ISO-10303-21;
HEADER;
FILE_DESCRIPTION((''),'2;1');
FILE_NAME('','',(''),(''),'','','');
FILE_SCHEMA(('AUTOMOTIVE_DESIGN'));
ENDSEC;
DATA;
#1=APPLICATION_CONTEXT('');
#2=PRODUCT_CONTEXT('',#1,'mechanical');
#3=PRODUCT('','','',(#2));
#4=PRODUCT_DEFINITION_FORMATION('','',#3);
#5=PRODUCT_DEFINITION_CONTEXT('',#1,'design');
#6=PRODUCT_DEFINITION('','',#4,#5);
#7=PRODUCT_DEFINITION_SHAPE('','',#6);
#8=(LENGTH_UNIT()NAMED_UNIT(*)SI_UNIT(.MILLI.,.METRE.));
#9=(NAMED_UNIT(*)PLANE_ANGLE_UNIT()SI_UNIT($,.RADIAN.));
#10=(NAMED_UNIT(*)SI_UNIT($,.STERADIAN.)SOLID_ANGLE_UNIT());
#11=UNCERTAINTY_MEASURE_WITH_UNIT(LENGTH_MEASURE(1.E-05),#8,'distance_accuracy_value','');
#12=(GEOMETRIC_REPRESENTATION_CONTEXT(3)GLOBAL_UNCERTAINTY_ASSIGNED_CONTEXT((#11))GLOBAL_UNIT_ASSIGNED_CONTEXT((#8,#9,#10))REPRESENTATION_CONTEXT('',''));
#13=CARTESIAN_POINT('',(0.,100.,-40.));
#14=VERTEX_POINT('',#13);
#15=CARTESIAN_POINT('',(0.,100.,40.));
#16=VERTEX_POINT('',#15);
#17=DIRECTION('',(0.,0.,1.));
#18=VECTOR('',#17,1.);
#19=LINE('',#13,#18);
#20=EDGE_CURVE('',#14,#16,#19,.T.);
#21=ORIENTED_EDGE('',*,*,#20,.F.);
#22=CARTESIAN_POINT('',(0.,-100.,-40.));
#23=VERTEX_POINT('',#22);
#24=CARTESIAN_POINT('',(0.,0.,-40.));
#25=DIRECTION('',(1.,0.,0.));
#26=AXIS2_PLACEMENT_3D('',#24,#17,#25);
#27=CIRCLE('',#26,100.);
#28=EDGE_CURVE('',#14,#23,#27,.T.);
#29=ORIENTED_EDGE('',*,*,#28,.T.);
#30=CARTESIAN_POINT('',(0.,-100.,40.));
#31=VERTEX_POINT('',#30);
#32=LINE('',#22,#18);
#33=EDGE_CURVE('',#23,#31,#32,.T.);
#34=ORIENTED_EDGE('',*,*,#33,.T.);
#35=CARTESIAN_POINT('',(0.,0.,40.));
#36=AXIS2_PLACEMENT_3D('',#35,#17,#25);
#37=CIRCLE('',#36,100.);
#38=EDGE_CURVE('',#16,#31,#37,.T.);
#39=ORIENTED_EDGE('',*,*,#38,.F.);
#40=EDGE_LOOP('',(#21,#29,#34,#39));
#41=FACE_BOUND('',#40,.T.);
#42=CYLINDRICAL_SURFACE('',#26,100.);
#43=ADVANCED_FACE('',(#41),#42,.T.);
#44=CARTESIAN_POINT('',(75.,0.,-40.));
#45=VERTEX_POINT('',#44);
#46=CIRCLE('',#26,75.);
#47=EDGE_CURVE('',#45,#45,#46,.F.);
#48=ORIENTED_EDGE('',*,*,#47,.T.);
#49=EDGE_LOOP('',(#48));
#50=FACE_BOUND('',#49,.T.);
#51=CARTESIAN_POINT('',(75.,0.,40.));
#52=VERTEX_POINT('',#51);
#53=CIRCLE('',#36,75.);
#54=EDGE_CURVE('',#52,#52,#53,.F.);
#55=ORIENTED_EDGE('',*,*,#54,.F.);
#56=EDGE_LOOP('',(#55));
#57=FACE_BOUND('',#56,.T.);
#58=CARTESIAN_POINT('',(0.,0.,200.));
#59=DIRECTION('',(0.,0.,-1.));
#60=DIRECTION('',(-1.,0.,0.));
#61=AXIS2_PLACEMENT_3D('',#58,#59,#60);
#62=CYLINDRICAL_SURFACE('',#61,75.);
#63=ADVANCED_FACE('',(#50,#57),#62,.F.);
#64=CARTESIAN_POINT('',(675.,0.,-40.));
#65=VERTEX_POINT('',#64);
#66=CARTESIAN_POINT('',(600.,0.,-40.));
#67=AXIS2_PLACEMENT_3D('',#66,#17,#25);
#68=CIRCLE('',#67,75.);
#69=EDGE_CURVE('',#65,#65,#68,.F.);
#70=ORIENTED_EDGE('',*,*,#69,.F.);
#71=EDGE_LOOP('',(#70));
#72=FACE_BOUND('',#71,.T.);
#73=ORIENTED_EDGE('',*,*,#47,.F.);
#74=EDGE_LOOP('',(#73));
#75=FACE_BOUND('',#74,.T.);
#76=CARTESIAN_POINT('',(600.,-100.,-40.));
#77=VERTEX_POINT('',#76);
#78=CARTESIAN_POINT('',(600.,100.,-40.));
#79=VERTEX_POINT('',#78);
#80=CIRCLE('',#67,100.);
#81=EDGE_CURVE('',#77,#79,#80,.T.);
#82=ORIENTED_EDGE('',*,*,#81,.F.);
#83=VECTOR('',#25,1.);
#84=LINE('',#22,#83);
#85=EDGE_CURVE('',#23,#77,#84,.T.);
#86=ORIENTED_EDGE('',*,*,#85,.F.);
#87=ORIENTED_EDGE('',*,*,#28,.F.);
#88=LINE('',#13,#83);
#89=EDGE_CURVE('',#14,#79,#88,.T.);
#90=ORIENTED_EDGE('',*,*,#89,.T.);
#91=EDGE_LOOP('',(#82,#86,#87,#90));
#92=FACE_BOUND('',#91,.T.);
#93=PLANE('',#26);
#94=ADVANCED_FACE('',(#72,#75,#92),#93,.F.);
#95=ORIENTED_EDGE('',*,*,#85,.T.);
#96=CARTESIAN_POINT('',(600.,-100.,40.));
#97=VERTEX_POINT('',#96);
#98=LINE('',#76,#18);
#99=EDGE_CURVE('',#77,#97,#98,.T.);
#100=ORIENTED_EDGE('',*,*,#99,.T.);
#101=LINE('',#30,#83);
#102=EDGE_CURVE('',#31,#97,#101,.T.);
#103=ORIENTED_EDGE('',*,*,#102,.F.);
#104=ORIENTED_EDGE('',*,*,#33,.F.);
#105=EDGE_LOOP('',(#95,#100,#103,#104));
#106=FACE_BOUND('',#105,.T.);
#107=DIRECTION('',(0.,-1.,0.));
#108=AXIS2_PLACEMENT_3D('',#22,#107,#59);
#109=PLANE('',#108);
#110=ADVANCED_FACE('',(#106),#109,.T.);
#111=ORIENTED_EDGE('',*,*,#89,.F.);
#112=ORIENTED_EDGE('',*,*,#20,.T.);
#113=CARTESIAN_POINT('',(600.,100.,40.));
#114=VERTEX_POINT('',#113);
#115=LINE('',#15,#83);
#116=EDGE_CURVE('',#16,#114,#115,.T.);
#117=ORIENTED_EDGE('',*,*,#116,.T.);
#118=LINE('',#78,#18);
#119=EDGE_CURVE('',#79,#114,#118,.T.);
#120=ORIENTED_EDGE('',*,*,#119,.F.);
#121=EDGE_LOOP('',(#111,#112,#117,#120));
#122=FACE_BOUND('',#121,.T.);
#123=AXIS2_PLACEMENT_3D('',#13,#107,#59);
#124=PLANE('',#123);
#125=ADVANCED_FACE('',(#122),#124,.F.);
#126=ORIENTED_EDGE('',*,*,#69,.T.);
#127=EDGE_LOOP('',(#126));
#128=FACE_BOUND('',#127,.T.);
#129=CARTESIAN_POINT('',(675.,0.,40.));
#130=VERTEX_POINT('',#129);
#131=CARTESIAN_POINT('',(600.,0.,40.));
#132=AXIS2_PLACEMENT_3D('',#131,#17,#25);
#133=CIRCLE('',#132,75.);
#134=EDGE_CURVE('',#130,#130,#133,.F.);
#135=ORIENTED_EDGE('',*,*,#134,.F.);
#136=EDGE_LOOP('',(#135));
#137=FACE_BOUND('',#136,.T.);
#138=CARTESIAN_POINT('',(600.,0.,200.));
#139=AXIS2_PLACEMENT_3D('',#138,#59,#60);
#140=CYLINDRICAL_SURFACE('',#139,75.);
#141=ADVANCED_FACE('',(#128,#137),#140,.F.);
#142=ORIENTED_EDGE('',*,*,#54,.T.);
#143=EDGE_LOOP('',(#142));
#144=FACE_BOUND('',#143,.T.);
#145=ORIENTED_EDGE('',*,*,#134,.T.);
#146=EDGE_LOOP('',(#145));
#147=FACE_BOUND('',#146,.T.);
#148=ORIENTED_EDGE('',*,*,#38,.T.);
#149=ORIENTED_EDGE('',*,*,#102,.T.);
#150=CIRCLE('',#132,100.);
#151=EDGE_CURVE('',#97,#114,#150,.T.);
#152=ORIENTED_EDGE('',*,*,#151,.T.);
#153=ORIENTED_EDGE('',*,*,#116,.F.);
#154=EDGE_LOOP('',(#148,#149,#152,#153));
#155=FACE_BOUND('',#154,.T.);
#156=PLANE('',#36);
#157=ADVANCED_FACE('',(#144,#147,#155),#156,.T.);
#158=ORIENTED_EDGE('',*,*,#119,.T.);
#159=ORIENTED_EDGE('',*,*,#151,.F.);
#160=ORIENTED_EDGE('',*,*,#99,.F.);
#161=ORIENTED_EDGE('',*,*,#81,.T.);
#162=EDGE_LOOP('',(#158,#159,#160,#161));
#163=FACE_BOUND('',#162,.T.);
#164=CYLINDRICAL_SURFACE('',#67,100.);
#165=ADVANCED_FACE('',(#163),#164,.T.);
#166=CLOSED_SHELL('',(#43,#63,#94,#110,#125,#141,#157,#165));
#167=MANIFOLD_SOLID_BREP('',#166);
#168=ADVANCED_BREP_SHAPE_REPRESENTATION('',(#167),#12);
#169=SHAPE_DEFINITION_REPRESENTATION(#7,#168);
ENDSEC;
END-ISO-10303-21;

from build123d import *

# Parameters (mm, degrees)
BOSS_EXTRUDE1_DEPTH      = 40
BOSS_EXTRUDE1_DEPTH_BACK = 40
CUT_EXTRUDE1_DEPTH       = 200
CUT_EXTRUDE1_DEPTH_BACK  = 200
SKETCH7_R                = 75
CUT_EXTRUDE2_DEPTH       = 200
CUT_EXTRUDE2_DEPTH_BACK  = 200
SKETCH8_R                = 75


with BuildPart() as part:
    # Sketch2 → Boss-Extrude1 (new, two sides: drawn at the far end of the back side and taken through both)
    with BuildSketch(Plane.XY.offset(-BOSS_EXTRUDE1_DEPTH_BACK)):
        with BuildLine():
            Line((600, 100), (0, 100))
            ThreePointArc((0, 100), (-100, 0), (0, -100))
            Line((0, -100), (600, -100))
            ThreePointArc((600, -100), (700, 0), (600, 100))
        make_face()
    extrude(amount=BOSS_EXTRUDE1_DEPTH + BOSS_EXTRUDE1_DEPTH_BACK)

    # Sketch7 → Cut-Extrude1 (cut, two sides: drawn at the far end of the back side and taken through both)
    with BuildSketch(Plane.XY.offset(-CUT_EXTRUDE1_DEPTH_BACK)):
        Circle(SKETCH7_R)
    extrude(amount=CUT_EXTRUDE1_DEPTH + CUT_EXTRUDE1_DEPTH_BACK, mode=Mode.SUBTRACT)

    # Sketch8 → Cut-Extrude2 (cut, two sides: drawn at the far end of the back side and taken through both)
    with BuildSketch(Plane.XY.offset(-CUT_EXTRUDE2_DEPTH_BACK)):
        with Locations((600, 0)):
            Circle(SKETCH8_R)
    extrude(amount=CUT_EXTRUDE2_DEPTH + CUT_EXTRUDE2_DEPTH_BACK, mode=Mode.SUBTRACT)


solid = part.part
